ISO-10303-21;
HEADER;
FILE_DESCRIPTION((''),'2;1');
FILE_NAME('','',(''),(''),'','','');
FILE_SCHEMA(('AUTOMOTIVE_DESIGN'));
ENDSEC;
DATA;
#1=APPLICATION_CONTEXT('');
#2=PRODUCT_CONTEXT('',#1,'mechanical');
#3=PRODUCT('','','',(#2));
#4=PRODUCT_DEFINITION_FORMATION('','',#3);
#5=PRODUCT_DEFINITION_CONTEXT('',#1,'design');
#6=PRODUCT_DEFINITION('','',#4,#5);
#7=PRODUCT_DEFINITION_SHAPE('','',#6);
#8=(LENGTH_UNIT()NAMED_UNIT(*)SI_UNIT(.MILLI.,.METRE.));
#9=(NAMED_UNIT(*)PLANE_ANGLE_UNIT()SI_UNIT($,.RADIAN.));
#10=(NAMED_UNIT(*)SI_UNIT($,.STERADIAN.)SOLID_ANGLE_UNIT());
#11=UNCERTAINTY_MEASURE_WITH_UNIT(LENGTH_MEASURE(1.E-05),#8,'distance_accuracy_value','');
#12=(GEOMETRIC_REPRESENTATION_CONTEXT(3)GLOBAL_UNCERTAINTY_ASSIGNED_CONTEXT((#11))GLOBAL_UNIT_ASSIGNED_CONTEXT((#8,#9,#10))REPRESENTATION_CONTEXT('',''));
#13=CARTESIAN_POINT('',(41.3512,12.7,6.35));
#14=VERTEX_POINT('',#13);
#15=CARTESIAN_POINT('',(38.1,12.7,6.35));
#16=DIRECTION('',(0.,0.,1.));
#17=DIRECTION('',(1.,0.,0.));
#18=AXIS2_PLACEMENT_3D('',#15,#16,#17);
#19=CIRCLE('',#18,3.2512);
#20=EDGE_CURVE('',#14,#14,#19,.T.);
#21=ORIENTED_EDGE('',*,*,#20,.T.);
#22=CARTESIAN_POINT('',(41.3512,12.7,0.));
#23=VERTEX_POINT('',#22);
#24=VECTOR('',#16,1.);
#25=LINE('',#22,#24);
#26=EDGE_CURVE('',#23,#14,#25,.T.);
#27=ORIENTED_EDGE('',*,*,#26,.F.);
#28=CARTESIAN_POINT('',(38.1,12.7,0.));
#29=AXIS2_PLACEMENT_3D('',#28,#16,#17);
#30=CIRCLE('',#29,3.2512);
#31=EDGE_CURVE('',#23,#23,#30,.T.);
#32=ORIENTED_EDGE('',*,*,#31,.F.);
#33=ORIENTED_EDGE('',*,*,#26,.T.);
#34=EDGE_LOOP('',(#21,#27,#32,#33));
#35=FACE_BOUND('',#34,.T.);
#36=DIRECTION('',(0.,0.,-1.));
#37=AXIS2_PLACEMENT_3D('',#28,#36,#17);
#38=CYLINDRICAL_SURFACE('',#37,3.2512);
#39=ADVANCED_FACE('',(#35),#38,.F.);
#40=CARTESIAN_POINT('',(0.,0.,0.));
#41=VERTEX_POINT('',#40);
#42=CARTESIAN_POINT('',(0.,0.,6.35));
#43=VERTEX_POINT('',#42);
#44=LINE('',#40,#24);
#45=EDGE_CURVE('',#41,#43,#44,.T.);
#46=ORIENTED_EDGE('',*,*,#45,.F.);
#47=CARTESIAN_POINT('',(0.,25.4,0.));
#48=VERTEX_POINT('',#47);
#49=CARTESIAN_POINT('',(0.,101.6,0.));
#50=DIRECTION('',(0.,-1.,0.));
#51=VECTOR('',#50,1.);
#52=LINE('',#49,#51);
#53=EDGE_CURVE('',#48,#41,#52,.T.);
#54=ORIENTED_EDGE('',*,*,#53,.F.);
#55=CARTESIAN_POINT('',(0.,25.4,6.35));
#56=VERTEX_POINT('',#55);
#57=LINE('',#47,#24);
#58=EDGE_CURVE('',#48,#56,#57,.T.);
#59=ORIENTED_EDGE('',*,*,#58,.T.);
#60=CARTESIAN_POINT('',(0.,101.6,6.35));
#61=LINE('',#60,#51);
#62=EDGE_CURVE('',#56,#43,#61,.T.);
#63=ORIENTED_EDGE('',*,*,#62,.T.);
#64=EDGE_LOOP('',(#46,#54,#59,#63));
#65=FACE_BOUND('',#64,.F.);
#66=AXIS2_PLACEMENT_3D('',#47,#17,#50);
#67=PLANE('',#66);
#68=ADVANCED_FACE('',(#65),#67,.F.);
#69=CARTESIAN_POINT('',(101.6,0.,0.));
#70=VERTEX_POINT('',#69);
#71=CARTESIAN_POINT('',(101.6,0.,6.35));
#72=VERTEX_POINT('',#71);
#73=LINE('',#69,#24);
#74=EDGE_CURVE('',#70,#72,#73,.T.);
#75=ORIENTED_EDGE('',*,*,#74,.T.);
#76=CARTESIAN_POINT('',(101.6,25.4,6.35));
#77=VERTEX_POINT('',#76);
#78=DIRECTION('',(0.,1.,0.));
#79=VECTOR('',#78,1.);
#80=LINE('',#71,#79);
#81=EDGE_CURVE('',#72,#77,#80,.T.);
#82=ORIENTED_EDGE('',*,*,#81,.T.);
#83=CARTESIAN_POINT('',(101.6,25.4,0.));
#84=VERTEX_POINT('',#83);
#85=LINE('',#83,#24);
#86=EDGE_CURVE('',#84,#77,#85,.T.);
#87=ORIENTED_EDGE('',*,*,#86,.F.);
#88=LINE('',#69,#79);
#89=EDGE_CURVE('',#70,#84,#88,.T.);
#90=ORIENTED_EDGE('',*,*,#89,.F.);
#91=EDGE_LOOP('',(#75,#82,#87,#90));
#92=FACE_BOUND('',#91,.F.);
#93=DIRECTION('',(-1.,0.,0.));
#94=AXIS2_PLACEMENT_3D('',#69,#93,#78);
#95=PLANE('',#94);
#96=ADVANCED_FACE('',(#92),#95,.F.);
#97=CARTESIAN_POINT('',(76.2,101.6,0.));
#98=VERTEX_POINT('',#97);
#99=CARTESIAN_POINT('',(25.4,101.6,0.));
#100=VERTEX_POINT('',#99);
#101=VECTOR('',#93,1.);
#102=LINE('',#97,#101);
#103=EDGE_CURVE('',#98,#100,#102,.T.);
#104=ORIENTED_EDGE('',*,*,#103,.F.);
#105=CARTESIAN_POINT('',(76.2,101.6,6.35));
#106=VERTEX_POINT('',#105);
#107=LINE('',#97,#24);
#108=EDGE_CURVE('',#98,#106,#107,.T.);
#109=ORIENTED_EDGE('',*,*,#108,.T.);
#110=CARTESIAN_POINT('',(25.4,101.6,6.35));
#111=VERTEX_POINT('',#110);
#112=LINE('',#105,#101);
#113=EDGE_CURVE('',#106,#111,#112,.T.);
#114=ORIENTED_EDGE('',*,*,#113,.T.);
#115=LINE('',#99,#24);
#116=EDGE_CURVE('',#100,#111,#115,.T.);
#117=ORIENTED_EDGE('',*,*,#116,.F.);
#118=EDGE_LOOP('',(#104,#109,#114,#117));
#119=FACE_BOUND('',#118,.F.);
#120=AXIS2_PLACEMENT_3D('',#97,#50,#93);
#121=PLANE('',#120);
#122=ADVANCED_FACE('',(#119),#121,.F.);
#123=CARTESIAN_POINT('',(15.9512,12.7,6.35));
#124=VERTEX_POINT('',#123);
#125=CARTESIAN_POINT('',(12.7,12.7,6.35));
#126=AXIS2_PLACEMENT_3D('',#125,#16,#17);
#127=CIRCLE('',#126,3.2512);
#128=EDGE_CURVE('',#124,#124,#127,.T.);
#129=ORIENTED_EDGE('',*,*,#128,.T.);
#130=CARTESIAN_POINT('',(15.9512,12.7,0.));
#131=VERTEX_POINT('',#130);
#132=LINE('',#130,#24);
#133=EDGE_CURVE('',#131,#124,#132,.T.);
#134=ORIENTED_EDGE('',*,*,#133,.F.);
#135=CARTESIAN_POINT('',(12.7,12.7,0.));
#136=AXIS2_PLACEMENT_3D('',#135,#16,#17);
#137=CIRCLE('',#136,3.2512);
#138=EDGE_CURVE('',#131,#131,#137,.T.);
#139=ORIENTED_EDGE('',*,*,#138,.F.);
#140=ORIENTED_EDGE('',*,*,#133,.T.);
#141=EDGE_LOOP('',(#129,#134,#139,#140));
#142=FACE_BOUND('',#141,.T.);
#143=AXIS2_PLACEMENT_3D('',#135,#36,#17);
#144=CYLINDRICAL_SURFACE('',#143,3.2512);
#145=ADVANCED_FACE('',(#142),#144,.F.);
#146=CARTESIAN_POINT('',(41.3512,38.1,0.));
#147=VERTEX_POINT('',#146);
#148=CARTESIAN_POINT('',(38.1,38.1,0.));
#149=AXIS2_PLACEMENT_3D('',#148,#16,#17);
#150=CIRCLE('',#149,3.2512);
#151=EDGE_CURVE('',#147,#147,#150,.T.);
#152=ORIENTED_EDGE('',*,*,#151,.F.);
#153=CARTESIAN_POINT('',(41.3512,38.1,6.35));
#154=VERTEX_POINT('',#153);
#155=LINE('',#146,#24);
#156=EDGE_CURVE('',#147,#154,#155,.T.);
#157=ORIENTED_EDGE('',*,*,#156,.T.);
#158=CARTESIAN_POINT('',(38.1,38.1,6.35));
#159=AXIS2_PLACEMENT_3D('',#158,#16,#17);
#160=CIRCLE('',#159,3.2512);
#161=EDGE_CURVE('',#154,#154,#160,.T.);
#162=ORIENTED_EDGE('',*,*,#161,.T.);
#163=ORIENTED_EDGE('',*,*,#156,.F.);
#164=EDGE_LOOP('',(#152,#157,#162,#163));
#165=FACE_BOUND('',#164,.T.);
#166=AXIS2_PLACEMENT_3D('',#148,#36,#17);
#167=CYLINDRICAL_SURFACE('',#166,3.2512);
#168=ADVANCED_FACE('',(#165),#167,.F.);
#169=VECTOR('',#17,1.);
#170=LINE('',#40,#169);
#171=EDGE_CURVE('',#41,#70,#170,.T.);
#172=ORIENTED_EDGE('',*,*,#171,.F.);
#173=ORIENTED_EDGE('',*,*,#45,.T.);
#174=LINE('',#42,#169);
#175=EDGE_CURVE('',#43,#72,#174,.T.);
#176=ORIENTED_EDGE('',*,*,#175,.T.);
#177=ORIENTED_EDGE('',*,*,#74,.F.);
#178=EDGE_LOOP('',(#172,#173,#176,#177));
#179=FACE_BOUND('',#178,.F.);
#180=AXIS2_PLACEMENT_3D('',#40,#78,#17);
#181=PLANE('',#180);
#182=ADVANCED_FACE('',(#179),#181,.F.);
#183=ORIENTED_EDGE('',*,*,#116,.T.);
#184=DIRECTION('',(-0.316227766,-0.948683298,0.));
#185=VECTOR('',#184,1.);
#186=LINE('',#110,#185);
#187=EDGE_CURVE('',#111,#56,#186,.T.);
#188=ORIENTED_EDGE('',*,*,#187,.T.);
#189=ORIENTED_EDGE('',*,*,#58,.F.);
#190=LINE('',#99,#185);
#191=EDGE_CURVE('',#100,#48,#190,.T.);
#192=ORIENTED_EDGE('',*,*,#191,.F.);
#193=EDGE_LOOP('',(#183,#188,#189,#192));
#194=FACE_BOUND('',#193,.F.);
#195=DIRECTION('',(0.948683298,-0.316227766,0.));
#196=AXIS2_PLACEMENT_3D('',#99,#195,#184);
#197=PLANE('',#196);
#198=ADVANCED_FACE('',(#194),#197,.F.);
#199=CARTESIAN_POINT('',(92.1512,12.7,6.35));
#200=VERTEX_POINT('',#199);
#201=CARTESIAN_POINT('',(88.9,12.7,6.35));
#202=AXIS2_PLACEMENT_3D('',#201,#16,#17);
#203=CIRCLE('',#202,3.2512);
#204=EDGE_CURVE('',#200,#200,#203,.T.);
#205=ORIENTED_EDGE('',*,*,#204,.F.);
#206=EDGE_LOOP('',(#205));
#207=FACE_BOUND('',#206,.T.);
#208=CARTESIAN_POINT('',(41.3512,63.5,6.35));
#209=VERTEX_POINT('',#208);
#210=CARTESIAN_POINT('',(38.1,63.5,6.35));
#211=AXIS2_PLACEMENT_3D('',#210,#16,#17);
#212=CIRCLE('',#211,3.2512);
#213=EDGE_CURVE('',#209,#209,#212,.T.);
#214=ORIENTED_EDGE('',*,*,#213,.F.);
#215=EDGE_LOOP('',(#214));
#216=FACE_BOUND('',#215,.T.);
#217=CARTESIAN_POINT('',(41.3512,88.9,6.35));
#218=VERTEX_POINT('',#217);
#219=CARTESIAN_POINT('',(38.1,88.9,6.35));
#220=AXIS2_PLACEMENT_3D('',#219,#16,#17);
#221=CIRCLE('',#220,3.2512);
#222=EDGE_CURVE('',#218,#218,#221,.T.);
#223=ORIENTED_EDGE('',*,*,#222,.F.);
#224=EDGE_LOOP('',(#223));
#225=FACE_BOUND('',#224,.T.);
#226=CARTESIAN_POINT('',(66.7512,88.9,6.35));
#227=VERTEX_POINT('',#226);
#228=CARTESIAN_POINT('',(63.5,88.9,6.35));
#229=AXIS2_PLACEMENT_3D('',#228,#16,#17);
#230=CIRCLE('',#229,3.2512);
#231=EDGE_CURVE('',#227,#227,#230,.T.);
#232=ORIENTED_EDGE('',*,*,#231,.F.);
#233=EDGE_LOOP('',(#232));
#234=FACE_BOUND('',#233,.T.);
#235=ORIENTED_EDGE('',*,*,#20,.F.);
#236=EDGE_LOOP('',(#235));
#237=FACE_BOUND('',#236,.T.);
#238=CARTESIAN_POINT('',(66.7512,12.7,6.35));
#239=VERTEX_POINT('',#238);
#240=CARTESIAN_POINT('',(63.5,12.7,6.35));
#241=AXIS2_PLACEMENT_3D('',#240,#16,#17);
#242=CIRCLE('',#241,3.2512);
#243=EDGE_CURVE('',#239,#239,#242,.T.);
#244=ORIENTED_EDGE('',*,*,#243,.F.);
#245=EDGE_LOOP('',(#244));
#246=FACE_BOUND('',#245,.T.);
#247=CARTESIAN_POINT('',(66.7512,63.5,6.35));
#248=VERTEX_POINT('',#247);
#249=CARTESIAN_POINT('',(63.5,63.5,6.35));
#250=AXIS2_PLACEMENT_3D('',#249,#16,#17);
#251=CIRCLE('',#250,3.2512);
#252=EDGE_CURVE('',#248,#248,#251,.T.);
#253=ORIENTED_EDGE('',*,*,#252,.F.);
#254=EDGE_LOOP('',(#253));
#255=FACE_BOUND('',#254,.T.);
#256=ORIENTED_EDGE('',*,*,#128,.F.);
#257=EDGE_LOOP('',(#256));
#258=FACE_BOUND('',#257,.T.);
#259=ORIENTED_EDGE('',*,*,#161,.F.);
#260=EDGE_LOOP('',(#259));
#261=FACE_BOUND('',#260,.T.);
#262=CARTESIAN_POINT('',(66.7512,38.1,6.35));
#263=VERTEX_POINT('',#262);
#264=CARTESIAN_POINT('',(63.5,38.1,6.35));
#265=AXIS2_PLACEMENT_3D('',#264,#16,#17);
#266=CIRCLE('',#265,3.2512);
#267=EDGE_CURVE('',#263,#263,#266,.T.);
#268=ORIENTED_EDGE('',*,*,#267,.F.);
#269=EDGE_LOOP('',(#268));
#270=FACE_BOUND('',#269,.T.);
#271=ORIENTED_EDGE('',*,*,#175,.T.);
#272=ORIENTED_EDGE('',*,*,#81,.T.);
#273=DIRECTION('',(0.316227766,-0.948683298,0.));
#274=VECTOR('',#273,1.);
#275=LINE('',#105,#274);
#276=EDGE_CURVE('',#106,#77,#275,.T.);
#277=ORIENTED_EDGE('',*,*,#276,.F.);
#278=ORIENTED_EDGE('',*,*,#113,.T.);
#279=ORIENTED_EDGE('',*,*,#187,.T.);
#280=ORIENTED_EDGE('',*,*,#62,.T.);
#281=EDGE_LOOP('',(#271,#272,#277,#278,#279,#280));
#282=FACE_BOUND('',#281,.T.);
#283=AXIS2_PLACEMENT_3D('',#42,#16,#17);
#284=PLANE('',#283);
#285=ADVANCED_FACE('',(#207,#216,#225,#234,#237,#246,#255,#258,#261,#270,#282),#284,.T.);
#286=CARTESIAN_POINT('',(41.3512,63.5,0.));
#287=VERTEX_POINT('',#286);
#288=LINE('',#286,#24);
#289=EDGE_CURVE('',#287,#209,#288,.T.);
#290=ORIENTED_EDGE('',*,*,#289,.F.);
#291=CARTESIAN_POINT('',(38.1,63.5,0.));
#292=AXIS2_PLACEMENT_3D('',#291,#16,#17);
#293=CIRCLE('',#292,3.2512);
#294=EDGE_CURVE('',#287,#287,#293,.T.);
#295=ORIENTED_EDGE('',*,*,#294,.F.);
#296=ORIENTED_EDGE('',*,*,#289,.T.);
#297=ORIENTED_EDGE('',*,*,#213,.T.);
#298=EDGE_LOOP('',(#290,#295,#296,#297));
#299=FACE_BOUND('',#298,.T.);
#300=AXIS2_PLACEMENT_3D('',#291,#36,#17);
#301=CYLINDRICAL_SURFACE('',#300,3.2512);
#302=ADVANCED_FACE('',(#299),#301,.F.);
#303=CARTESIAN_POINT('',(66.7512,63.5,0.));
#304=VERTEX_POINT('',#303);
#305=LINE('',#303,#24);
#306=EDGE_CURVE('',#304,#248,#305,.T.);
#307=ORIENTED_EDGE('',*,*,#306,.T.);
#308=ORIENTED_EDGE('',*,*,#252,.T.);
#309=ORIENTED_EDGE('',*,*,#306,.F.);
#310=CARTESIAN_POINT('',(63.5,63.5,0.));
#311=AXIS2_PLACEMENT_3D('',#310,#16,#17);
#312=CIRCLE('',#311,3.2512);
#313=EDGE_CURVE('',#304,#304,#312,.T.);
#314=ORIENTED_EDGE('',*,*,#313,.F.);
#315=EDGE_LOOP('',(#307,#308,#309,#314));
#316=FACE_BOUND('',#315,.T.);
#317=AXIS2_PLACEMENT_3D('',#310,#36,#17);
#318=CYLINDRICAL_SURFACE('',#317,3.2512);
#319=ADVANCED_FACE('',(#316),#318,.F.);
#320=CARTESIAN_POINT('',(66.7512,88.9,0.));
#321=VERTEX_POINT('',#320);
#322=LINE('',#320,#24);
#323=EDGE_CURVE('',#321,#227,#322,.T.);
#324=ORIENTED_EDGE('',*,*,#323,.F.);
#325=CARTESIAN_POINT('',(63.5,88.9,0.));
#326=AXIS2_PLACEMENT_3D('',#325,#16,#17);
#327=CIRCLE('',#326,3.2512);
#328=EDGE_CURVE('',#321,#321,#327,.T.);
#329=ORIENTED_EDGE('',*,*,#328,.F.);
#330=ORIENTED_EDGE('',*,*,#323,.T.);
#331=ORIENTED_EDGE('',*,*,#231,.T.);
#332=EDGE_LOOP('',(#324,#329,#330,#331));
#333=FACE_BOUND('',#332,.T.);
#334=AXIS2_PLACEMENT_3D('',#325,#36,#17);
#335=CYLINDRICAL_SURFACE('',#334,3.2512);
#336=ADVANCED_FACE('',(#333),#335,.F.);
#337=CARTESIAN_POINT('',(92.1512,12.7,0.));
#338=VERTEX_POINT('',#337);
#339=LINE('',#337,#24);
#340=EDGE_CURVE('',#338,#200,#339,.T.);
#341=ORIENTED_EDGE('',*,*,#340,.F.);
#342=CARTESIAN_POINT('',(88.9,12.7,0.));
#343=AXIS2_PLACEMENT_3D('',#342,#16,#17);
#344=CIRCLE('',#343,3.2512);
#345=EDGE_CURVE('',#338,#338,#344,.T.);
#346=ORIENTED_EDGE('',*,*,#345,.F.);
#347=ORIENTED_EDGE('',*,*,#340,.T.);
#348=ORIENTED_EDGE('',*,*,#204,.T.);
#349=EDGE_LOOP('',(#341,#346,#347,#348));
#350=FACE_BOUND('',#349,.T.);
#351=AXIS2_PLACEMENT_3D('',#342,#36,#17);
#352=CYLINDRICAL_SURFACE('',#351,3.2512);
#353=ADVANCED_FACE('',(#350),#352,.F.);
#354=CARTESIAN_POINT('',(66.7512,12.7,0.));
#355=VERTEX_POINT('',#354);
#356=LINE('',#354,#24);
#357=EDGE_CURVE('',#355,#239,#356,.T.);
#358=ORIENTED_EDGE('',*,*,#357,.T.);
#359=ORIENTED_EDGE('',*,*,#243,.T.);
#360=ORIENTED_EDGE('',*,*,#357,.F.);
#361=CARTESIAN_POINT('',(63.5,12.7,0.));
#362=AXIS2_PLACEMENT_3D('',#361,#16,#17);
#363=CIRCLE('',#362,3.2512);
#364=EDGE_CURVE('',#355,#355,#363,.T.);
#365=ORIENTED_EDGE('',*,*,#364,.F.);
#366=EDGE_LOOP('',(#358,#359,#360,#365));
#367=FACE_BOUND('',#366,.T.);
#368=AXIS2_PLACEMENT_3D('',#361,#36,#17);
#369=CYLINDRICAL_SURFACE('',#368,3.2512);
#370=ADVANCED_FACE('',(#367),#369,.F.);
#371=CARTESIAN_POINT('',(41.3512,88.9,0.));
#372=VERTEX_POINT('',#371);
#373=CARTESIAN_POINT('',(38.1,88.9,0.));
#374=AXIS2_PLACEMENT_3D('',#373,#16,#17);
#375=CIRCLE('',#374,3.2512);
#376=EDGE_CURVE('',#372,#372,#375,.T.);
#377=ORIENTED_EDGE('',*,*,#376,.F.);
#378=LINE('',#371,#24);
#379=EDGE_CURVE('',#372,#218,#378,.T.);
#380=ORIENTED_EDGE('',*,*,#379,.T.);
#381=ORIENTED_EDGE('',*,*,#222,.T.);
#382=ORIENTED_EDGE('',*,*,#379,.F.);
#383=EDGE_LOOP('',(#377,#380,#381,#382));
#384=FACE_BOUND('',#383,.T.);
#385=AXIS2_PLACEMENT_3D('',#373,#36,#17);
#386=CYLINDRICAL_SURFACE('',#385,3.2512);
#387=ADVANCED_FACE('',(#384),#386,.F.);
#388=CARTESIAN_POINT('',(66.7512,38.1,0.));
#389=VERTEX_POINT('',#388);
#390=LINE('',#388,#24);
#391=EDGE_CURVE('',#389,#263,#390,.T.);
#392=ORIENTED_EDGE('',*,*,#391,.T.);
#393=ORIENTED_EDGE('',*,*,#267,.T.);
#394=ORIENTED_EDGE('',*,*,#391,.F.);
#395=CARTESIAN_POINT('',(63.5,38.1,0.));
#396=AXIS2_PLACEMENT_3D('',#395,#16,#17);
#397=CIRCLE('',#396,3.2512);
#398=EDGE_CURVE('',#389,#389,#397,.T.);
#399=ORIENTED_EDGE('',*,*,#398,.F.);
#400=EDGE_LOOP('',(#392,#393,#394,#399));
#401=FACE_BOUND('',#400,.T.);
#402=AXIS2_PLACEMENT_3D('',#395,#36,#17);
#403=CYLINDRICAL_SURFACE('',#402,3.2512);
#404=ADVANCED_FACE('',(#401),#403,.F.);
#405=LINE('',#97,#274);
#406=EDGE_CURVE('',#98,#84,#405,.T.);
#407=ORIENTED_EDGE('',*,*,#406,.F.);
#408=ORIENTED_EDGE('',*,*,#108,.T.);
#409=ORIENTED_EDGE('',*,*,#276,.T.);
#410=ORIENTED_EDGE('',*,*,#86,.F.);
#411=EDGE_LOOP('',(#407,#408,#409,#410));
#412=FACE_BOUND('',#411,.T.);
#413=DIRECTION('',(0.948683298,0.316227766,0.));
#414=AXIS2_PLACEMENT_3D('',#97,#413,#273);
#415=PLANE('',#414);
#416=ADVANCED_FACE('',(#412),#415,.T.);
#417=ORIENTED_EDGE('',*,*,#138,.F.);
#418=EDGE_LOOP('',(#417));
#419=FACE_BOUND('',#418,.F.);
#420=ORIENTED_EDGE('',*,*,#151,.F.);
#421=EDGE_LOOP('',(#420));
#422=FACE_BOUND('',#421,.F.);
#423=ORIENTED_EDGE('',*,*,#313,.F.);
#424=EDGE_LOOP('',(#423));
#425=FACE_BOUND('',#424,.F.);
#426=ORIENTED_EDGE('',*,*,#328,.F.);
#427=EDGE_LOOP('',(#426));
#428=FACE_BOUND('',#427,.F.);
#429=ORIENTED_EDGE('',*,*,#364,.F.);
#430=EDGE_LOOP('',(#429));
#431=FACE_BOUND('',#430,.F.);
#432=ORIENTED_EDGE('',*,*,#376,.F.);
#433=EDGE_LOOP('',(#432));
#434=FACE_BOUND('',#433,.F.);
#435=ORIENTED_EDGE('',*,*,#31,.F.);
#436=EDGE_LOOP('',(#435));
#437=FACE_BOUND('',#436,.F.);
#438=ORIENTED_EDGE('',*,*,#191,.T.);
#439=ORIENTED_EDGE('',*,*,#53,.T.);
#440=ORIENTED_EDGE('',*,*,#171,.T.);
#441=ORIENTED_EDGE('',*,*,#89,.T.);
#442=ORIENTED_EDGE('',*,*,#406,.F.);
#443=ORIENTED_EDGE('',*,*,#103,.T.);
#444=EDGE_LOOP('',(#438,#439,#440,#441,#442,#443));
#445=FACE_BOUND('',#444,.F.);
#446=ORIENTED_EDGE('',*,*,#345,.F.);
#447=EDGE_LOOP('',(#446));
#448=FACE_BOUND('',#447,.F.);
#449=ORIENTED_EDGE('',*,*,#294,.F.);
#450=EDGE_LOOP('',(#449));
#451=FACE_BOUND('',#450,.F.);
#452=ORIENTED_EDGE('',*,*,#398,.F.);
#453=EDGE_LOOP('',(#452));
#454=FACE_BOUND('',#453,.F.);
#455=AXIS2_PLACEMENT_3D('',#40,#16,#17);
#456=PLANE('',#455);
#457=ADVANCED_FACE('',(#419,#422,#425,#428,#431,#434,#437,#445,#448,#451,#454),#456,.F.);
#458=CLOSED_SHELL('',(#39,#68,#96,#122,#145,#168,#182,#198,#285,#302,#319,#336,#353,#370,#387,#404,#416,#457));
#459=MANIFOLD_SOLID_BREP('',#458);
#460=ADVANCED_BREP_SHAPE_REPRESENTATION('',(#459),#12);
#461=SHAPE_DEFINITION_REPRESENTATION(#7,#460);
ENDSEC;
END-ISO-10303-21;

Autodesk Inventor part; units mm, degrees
ref_plane "YZ Plane" through (0, 0, 0) normal (1, 0, 0) x (0, 1, 0)
ref_plane "XZ Plane" through (0, 0, 0) normal (0, 1, 0) x (-1, 0, 0)
ref_plane "XY Plane" through (0, 0, 0) normal (0, 0, 1) x (1, 0, 0)
sketch "Sketch1" plane through (0, 0, 0) normal (0, 0, 1) x (1, 0, 0)
  line L0 (0, 0) -> (101.6, 0)
  line L1 (101.6, 0) -> (101.6, 101.6)
  line L2 (76.2, 101.6) -> (25.4, 101.6)
  line L3 (0, 101.6) -> (0, 0)
  circle A0 centre (12.7, 12.7) radius 3.2512
  circle A1 centre (38.1, 12.7) radius 3.2512
  circle A2 centre (63.5, 12.7) radius 3.2512
  circle A3 centre (88.9, 12.7) radius 3.2512
  circle A4 centre (38.1, 38.1) radius 3.2512
  circle A5 centre (63.5, 38.1) radius 3.2512
  circle A6 centre (38.1, 63.5) radius 3.2512
  circle A7 centre (63.5, 63.5) radius 3.2512
  circle A8 centre (38.1, 88.9) radius 3.2512
  circle A9 centre (63.5, 88.9) radius 3.2512
  line L4 (25.4, 101.6) -> (0, 25.4)
  line L5 (76.2, 101.6) -> (101.6, 25.4)
  dimension "d0" = 101.6
  dimension "d1" = 101.6
  dimension "d2" = 25.4
  dimension "d3" = 25.4
  dimension "d4" = 6.5024
  dimension "d5" = 12.7
  dimension "d6" = 12.7
  dimension "d9" = 25.4
  dimension "d16" = 25.4
  dimension "d21" = 25.4
  dimension "d22" = 25.4
extrude "Extrusion1" add sketch "Sketch1" along normal blind 6.35
properties part number "2x1 T plate"
